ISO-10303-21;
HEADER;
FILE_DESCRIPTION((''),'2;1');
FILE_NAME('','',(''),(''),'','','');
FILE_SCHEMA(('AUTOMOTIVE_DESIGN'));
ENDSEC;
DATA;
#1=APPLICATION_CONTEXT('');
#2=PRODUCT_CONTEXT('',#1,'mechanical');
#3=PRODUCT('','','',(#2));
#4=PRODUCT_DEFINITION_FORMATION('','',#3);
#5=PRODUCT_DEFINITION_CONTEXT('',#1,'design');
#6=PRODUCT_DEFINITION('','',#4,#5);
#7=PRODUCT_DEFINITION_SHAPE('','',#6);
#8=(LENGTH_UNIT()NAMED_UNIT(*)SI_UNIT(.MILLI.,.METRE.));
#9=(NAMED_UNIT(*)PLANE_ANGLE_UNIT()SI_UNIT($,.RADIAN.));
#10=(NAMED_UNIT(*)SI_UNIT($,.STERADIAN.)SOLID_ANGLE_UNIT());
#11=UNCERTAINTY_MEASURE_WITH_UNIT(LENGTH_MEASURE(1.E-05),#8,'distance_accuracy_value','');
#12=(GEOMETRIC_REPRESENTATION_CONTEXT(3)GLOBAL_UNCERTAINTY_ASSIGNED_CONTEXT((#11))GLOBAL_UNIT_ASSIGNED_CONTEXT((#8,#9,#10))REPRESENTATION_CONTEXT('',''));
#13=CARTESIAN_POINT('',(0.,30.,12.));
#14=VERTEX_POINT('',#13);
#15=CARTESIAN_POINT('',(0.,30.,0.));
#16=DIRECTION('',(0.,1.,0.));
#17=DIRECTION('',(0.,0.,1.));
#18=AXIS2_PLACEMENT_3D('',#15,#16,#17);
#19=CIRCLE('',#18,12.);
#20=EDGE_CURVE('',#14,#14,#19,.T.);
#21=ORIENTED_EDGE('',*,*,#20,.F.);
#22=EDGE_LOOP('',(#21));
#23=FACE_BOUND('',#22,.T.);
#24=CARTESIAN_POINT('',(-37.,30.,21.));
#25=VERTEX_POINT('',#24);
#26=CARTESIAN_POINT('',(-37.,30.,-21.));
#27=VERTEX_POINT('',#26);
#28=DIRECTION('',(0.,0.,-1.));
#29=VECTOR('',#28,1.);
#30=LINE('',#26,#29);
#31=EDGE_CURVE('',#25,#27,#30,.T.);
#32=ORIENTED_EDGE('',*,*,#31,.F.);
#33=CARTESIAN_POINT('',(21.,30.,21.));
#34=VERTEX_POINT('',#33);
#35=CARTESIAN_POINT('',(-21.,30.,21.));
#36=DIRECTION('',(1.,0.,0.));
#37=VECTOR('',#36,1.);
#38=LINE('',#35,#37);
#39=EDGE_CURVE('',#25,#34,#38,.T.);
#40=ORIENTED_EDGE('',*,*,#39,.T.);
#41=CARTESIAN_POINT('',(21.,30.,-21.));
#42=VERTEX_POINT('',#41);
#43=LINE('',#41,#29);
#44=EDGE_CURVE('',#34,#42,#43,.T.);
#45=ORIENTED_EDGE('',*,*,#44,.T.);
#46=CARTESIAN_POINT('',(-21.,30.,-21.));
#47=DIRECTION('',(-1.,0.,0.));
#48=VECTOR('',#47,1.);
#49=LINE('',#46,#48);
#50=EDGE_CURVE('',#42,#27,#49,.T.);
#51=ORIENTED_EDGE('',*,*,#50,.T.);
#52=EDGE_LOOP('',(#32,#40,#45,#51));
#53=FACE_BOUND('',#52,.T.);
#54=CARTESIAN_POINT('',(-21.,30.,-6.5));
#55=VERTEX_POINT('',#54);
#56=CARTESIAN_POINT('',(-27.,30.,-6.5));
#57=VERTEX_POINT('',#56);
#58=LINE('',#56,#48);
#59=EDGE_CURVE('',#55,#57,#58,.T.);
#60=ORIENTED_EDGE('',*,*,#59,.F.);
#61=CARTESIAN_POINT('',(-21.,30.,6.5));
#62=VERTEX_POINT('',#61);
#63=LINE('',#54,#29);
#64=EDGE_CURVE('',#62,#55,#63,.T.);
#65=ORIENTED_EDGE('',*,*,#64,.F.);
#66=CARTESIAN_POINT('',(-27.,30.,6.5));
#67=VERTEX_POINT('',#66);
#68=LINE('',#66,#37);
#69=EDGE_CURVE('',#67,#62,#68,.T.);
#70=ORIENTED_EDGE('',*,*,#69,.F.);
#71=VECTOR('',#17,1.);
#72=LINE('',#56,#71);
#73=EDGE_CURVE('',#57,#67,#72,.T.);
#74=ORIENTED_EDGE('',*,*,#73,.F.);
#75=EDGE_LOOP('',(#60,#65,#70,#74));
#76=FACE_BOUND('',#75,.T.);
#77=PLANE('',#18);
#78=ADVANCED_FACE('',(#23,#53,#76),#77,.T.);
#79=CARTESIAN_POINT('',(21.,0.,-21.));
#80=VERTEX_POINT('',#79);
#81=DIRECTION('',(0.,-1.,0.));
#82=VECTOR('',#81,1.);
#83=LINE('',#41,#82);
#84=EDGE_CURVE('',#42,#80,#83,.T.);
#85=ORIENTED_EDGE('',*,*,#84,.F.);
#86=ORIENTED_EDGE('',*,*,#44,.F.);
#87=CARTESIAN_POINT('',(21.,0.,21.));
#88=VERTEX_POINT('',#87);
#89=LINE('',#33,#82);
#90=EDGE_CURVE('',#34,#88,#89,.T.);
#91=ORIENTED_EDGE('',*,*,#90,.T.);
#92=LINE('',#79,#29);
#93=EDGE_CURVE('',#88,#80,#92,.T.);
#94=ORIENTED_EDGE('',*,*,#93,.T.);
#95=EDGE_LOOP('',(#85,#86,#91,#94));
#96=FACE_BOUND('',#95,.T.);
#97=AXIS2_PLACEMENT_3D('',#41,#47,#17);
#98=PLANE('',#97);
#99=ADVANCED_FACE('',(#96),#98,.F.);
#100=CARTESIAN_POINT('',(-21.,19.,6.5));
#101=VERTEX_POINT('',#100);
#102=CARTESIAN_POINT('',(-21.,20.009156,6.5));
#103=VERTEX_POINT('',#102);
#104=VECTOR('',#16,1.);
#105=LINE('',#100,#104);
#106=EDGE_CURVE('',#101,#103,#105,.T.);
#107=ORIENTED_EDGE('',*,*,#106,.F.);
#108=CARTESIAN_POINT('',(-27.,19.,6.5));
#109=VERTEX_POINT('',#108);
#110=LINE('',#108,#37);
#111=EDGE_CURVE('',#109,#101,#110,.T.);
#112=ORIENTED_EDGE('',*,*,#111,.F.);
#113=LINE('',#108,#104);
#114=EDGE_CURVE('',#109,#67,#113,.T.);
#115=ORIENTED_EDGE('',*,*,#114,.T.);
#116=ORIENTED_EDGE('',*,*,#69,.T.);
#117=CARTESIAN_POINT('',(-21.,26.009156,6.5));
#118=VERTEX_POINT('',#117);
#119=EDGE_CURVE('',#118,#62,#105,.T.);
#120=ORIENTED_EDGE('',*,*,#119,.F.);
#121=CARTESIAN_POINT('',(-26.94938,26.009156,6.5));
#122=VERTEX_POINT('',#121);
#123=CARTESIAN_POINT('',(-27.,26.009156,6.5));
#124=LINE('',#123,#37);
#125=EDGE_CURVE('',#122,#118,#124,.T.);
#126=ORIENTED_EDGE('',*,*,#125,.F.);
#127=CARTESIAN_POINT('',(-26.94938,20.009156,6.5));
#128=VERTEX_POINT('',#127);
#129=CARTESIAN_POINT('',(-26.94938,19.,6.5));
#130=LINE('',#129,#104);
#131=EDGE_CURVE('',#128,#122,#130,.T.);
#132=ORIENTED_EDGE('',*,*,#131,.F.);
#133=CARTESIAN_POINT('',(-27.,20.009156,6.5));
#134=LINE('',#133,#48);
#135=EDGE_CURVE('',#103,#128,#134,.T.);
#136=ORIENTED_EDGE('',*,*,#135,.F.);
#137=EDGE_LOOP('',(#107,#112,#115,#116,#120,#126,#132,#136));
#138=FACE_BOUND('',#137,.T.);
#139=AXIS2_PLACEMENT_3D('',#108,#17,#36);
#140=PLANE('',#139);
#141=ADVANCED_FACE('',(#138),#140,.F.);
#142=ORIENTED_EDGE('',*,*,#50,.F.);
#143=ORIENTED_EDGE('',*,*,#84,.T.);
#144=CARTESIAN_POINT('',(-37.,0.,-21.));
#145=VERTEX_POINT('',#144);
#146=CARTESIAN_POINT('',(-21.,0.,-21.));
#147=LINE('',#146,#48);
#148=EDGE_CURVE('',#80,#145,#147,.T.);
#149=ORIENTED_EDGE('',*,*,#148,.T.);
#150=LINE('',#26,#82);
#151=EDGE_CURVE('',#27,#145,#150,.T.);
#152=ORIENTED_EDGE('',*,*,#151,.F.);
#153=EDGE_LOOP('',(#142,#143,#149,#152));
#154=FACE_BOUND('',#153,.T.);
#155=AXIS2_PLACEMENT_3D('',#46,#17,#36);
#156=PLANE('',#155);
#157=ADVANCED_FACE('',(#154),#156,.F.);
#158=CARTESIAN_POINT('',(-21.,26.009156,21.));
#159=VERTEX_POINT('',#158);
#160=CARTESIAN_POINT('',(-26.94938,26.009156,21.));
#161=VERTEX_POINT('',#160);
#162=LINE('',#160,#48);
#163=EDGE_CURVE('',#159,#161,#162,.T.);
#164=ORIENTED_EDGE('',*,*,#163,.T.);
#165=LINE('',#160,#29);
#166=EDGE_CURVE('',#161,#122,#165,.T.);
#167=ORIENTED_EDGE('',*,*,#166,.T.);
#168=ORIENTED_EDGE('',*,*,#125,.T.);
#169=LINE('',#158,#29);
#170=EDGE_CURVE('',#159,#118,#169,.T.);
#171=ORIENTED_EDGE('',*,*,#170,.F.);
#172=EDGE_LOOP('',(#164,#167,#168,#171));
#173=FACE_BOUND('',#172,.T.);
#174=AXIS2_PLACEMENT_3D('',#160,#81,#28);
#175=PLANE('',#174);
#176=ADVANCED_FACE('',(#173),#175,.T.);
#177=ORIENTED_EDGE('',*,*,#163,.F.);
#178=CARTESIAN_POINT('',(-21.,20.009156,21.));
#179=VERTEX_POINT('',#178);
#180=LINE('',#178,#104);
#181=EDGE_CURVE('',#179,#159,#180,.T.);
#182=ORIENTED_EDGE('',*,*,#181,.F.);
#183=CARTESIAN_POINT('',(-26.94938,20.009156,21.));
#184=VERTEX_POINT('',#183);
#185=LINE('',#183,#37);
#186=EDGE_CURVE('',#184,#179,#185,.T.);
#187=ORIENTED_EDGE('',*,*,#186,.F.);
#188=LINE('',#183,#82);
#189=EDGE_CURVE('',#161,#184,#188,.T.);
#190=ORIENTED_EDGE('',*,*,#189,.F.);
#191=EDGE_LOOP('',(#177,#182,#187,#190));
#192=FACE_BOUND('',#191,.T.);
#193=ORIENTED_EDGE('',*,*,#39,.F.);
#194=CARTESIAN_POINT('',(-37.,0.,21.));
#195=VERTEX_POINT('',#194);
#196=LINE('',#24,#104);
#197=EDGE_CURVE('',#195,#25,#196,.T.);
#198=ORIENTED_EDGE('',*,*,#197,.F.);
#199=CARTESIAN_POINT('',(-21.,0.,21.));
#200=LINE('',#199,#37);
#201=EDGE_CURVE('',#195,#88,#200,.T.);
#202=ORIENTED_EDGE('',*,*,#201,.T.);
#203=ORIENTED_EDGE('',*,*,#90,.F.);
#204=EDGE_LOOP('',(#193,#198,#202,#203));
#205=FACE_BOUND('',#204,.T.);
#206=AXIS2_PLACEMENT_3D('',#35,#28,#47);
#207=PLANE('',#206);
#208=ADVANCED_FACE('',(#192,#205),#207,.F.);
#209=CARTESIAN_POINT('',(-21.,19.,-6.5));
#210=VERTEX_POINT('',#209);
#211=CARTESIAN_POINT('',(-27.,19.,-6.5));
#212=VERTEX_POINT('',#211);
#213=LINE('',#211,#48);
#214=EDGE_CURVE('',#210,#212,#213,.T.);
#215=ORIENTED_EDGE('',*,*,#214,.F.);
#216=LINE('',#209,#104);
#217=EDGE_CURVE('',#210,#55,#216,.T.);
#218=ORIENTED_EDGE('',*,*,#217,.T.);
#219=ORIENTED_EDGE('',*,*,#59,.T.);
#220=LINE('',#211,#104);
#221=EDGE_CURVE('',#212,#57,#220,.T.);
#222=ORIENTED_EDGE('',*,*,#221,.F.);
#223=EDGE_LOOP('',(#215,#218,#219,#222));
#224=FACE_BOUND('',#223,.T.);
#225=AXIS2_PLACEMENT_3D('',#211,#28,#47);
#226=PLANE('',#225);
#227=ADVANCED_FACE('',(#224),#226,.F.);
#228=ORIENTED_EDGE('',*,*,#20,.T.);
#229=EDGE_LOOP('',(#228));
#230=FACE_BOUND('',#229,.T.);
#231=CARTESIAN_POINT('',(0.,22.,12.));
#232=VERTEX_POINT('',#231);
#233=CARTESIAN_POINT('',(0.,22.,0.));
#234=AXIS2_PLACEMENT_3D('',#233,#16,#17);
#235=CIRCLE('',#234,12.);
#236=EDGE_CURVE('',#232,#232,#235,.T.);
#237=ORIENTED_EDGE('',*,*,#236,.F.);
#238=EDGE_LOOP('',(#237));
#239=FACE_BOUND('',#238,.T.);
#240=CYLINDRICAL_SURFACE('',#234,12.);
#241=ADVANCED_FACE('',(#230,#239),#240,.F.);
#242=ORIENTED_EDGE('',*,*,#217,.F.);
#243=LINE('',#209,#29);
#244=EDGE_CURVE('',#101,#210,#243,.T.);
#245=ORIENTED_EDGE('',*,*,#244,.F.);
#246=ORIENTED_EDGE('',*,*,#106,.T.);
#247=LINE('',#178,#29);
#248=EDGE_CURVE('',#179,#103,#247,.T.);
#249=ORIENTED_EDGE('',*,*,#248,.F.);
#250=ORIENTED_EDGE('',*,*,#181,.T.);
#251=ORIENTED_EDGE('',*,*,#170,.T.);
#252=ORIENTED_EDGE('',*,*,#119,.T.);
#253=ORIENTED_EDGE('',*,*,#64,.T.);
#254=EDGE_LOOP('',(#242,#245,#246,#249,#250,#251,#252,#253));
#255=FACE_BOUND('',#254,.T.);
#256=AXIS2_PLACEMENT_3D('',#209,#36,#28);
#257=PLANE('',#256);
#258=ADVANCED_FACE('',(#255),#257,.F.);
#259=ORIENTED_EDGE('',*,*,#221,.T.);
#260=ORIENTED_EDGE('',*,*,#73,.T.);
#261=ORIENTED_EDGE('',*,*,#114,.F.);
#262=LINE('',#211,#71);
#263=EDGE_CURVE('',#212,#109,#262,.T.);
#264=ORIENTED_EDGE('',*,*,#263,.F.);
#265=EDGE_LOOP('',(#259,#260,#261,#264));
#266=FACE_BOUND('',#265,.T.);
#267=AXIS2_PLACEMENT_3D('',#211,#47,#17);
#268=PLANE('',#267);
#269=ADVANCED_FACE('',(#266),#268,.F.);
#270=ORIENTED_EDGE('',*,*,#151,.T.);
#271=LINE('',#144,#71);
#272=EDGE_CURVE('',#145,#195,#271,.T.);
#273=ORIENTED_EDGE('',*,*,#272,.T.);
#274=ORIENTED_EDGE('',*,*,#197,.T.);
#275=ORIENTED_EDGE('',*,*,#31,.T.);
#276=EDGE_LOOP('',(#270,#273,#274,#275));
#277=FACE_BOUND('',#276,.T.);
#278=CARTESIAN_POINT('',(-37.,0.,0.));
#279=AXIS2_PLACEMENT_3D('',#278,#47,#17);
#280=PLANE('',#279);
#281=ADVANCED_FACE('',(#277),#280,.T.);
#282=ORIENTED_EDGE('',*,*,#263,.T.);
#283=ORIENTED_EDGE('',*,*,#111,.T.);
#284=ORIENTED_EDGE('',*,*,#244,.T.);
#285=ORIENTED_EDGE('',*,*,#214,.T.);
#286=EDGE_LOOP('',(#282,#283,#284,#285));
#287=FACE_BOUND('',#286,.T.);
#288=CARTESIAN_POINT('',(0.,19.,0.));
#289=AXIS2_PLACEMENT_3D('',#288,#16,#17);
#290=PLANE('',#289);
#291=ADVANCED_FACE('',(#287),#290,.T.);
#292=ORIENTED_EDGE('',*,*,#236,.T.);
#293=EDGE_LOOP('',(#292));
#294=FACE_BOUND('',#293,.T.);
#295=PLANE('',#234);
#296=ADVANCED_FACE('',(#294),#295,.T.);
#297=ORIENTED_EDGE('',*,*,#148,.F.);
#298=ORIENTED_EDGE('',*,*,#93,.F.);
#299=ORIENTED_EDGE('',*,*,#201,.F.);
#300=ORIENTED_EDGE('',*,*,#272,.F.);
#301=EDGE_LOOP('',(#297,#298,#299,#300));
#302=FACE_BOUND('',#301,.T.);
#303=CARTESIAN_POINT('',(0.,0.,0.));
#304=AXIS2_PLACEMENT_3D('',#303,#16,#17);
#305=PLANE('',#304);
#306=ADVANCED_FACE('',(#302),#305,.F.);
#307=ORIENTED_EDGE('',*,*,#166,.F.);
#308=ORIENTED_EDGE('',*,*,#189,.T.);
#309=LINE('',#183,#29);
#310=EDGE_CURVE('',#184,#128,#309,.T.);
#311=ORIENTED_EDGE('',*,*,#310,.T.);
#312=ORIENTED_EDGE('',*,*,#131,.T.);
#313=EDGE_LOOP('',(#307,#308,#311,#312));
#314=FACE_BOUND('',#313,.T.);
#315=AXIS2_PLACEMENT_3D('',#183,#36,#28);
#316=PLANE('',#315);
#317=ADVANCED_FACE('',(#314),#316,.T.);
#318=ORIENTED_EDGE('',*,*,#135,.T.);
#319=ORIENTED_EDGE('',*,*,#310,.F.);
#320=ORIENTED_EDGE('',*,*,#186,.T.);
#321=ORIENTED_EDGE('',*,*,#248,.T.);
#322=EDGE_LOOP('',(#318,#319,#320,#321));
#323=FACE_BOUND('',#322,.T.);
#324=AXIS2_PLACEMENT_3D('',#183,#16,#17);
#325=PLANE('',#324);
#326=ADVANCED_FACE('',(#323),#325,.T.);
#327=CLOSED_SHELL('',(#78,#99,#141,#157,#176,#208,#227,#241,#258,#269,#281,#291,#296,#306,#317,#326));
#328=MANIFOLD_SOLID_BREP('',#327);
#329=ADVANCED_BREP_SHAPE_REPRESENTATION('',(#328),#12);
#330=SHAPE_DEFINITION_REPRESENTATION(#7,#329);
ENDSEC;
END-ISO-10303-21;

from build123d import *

# Parameters (mm, degrees)
ESQUISSE1_W             = 42
ESQUISSE1_H             = 42
BOSS_EXTRU_1_DEPTH      = 30
ESQUISSE2_R             = 12
ENL_V_MAT_EXTRU_1_DEPTH = 8
ESQUISSE4_W             = 42
ESQUISSE4_H             = 30
BOSS_EXTRU_3_DEPTH      = 16
ESQUISSE5_W             = 6
ESQUISSE5_H             = 13
ENL_V_MAT_EXTRU_2_DEPTH = 11
ESQUISSE6_W             = 5.949379811
ESQUISSE6_H             = 6
ENL_V_MAT_EXTRU_3_DEPTH = 56.00227268


with BuildPart() as part:
    # Esquisse1 → Boss.-Extru.1 (new body)
    with BuildSketch(Plane(origin=(0, 0, 0), x_dir=(1, 0, 0), z_dir=(0, 1, 0))):
        Rectangle(ESQUISSE1_W, ESQUISSE1_H)
    extrude(amount=BOSS_EXTRU_1_DEPTH)

    # Esquisse2 → Enlèv. mat.-Extru.1 (cut)
    with BuildSketch(Plane(origin=(0, 30, 0), x_dir=(1, 0, 0), z_dir=(0, 1, 0))):
        with Locations(Location((0, 0, 0), (0, 0, 270))):
            Circle(ESQUISSE2_R)
    extrude(amount=-ENL_V_MAT_EXTRU_1_DEPTH, mode=Mode.SUBTRACT)

    # Esquisse4 → Boss.-Extru.3 (add)
    with BuildSketch(Plane.ZY.offset(21)):
        with Locations((0, 15)):
            Rectangle(ESQUISSE4_W, ESQUISSE4_H)
    extrude(amount=BOSS_EXTRU_3_DEPTH)

    # Esquisse5 → Enlèv. mat.-Extru.2 (cut)
    with BuildSketch(Plane(origin=(0, 30, 0), x_dir=(1, 0, 0), z_dir=(0, 1, 0))):
        with Locations((-24, 0)):
            Rectangle(ESQUISSE5_W, ESQUISSE5_H)
    extrude(amount=-ENL_V_MAT_EXTRU_2_DEPTH, mode=Mode.SUBTRACT)

    # Esquisse6 → Enlèv. mat.-Extru.3 (cut, through all)
    with BuildSketch(Plane.XY.offset(-6.5)):
        with Locations((-23.974689906, 23.009155876)):
            Rectangle(ESQUISSE6_W, ESQUISSE6_H)
    extrude(amount=ENL_V_MAT_EXTRU_3_DEPTH, mode=Mode.SUBTRACT)


solid = part.part
